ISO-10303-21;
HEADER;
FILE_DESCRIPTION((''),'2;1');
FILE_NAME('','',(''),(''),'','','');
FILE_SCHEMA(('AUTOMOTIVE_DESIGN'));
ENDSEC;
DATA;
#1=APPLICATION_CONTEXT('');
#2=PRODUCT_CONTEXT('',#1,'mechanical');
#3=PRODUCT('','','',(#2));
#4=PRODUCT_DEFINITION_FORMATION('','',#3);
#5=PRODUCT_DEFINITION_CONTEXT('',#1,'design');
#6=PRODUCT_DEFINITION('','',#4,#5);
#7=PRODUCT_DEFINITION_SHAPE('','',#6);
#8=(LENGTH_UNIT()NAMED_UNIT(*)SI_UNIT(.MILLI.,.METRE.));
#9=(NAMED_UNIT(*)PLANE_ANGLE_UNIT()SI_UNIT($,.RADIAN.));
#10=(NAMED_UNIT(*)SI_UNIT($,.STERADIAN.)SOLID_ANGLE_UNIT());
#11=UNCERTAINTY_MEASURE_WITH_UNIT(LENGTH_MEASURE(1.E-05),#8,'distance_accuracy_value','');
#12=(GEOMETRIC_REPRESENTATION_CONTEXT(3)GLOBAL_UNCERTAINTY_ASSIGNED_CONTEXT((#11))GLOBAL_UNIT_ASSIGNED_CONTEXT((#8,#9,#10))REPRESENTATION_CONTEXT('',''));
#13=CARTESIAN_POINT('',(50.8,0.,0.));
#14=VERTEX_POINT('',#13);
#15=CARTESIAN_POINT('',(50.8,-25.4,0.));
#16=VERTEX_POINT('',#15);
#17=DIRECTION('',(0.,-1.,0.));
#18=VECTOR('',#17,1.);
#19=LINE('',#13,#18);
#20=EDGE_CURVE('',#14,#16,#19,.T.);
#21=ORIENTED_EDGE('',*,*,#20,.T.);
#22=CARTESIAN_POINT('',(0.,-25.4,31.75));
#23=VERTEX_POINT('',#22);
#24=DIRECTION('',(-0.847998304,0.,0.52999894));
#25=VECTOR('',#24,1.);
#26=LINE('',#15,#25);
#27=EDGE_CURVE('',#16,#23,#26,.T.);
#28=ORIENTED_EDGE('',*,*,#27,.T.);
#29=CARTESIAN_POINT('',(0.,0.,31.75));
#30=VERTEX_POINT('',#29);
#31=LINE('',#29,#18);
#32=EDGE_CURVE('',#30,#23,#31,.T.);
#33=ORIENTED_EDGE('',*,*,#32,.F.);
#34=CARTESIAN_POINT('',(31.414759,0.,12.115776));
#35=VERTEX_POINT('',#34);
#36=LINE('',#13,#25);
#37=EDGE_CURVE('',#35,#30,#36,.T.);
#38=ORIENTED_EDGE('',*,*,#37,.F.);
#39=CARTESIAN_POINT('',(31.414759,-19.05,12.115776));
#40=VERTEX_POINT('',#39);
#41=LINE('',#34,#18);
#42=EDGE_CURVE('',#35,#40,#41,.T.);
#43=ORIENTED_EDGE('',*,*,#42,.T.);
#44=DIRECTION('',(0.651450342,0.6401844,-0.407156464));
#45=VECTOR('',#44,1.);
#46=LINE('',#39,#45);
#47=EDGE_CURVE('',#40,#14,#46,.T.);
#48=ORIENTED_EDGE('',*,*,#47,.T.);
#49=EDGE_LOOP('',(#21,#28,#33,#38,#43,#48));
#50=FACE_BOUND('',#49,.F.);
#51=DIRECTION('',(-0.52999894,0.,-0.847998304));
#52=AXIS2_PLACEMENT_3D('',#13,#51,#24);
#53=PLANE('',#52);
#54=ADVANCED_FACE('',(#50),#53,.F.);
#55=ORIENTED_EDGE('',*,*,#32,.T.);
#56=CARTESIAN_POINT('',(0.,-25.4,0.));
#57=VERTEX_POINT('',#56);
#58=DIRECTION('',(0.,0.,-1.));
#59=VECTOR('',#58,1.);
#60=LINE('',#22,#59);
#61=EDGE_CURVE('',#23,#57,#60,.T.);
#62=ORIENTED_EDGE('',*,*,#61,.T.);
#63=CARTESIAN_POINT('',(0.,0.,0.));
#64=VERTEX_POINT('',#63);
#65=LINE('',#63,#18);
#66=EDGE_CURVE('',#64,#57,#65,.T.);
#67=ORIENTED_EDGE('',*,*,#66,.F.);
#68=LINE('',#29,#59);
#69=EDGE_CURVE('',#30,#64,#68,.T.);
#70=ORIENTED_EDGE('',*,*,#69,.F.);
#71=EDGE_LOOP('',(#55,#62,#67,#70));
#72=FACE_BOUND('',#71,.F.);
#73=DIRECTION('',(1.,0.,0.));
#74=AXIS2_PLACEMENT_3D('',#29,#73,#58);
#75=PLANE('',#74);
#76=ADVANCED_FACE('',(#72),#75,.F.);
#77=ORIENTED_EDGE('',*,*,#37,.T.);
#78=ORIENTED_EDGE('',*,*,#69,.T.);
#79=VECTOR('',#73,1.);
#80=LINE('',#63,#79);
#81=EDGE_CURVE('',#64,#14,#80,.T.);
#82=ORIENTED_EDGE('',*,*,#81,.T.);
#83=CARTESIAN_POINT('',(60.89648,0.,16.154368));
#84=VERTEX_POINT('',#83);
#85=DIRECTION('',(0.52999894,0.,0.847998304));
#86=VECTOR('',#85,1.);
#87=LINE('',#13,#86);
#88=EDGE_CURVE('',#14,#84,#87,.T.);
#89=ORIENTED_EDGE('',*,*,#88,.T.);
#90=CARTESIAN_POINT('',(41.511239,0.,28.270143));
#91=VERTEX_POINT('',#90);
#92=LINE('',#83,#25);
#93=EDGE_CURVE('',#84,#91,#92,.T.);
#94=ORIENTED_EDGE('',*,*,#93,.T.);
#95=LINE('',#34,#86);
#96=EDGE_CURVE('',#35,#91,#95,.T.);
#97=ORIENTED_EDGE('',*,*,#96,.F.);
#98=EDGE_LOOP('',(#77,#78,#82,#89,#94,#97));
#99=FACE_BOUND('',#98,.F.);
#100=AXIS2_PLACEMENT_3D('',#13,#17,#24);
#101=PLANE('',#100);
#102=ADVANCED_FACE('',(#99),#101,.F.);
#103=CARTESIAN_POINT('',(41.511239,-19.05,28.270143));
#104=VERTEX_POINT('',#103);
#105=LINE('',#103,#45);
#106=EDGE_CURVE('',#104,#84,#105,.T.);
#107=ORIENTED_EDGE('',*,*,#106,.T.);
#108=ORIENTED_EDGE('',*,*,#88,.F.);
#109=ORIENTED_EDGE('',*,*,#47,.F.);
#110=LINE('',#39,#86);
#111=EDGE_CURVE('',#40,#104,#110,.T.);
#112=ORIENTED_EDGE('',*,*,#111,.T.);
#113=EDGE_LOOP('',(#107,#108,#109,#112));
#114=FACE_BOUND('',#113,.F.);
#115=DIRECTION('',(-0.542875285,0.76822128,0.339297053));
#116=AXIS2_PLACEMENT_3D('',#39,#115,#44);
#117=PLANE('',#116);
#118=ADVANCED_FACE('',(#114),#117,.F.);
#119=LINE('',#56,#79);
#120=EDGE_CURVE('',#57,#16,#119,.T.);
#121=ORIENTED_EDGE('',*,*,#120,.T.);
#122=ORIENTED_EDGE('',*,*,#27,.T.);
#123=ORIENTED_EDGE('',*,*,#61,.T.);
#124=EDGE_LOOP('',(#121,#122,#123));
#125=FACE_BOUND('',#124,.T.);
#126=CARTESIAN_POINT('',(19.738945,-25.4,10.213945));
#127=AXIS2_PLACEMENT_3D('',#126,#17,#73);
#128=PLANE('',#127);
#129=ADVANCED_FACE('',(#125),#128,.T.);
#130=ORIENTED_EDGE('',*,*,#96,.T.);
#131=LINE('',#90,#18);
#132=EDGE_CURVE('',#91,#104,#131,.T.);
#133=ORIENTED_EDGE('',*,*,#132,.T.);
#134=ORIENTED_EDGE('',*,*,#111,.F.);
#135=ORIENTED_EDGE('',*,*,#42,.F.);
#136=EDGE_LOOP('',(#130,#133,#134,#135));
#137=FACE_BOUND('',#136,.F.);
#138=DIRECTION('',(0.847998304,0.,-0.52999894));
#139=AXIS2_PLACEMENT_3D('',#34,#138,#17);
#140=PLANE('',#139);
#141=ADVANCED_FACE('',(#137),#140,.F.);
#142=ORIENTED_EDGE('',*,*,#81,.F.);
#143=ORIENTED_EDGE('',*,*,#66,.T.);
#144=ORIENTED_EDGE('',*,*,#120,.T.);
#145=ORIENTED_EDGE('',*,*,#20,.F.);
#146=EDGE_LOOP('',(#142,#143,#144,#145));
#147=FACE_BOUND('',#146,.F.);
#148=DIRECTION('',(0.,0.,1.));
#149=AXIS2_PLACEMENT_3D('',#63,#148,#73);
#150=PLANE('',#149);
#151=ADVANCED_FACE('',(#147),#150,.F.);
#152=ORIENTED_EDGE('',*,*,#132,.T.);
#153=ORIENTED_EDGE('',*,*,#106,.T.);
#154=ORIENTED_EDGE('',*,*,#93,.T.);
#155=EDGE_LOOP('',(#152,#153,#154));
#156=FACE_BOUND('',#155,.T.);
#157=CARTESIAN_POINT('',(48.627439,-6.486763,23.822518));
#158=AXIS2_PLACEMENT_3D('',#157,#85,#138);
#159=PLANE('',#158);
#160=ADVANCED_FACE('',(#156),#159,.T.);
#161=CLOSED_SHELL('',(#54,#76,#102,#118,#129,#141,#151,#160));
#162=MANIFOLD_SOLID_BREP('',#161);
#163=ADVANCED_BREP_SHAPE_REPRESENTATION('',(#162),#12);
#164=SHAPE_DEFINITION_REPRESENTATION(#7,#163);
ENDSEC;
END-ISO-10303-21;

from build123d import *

# Parameters (mm, degrees)
F1_DEPTH = 25.4
F3_DEPTH = 19.05


with BuildPart() as f1:
    # F0 (on Front) → F1 (new body)
    with BuildSketch(Plane.XZ):
        Polygon((0, 31.75), (0, 0), (50.8, 0), align=None)
    extrude(amount=F1_DEPTH)

    # F2 (on face) → F3 (join)
    with BuildSketch(Plane(origin=(14.2696629213, 0, 22.8314606742), x_dir=(0.847998304, 0, -0.52999894), z_dir=(0.52999894, 0, 0.847998304))):
        Polygon((20.2183138435, -19.05), (43.0783138435, 0), (20.2183138435, 0), align=None)
    extrude(amount=F3_DEPTH)


solid = f1.part
